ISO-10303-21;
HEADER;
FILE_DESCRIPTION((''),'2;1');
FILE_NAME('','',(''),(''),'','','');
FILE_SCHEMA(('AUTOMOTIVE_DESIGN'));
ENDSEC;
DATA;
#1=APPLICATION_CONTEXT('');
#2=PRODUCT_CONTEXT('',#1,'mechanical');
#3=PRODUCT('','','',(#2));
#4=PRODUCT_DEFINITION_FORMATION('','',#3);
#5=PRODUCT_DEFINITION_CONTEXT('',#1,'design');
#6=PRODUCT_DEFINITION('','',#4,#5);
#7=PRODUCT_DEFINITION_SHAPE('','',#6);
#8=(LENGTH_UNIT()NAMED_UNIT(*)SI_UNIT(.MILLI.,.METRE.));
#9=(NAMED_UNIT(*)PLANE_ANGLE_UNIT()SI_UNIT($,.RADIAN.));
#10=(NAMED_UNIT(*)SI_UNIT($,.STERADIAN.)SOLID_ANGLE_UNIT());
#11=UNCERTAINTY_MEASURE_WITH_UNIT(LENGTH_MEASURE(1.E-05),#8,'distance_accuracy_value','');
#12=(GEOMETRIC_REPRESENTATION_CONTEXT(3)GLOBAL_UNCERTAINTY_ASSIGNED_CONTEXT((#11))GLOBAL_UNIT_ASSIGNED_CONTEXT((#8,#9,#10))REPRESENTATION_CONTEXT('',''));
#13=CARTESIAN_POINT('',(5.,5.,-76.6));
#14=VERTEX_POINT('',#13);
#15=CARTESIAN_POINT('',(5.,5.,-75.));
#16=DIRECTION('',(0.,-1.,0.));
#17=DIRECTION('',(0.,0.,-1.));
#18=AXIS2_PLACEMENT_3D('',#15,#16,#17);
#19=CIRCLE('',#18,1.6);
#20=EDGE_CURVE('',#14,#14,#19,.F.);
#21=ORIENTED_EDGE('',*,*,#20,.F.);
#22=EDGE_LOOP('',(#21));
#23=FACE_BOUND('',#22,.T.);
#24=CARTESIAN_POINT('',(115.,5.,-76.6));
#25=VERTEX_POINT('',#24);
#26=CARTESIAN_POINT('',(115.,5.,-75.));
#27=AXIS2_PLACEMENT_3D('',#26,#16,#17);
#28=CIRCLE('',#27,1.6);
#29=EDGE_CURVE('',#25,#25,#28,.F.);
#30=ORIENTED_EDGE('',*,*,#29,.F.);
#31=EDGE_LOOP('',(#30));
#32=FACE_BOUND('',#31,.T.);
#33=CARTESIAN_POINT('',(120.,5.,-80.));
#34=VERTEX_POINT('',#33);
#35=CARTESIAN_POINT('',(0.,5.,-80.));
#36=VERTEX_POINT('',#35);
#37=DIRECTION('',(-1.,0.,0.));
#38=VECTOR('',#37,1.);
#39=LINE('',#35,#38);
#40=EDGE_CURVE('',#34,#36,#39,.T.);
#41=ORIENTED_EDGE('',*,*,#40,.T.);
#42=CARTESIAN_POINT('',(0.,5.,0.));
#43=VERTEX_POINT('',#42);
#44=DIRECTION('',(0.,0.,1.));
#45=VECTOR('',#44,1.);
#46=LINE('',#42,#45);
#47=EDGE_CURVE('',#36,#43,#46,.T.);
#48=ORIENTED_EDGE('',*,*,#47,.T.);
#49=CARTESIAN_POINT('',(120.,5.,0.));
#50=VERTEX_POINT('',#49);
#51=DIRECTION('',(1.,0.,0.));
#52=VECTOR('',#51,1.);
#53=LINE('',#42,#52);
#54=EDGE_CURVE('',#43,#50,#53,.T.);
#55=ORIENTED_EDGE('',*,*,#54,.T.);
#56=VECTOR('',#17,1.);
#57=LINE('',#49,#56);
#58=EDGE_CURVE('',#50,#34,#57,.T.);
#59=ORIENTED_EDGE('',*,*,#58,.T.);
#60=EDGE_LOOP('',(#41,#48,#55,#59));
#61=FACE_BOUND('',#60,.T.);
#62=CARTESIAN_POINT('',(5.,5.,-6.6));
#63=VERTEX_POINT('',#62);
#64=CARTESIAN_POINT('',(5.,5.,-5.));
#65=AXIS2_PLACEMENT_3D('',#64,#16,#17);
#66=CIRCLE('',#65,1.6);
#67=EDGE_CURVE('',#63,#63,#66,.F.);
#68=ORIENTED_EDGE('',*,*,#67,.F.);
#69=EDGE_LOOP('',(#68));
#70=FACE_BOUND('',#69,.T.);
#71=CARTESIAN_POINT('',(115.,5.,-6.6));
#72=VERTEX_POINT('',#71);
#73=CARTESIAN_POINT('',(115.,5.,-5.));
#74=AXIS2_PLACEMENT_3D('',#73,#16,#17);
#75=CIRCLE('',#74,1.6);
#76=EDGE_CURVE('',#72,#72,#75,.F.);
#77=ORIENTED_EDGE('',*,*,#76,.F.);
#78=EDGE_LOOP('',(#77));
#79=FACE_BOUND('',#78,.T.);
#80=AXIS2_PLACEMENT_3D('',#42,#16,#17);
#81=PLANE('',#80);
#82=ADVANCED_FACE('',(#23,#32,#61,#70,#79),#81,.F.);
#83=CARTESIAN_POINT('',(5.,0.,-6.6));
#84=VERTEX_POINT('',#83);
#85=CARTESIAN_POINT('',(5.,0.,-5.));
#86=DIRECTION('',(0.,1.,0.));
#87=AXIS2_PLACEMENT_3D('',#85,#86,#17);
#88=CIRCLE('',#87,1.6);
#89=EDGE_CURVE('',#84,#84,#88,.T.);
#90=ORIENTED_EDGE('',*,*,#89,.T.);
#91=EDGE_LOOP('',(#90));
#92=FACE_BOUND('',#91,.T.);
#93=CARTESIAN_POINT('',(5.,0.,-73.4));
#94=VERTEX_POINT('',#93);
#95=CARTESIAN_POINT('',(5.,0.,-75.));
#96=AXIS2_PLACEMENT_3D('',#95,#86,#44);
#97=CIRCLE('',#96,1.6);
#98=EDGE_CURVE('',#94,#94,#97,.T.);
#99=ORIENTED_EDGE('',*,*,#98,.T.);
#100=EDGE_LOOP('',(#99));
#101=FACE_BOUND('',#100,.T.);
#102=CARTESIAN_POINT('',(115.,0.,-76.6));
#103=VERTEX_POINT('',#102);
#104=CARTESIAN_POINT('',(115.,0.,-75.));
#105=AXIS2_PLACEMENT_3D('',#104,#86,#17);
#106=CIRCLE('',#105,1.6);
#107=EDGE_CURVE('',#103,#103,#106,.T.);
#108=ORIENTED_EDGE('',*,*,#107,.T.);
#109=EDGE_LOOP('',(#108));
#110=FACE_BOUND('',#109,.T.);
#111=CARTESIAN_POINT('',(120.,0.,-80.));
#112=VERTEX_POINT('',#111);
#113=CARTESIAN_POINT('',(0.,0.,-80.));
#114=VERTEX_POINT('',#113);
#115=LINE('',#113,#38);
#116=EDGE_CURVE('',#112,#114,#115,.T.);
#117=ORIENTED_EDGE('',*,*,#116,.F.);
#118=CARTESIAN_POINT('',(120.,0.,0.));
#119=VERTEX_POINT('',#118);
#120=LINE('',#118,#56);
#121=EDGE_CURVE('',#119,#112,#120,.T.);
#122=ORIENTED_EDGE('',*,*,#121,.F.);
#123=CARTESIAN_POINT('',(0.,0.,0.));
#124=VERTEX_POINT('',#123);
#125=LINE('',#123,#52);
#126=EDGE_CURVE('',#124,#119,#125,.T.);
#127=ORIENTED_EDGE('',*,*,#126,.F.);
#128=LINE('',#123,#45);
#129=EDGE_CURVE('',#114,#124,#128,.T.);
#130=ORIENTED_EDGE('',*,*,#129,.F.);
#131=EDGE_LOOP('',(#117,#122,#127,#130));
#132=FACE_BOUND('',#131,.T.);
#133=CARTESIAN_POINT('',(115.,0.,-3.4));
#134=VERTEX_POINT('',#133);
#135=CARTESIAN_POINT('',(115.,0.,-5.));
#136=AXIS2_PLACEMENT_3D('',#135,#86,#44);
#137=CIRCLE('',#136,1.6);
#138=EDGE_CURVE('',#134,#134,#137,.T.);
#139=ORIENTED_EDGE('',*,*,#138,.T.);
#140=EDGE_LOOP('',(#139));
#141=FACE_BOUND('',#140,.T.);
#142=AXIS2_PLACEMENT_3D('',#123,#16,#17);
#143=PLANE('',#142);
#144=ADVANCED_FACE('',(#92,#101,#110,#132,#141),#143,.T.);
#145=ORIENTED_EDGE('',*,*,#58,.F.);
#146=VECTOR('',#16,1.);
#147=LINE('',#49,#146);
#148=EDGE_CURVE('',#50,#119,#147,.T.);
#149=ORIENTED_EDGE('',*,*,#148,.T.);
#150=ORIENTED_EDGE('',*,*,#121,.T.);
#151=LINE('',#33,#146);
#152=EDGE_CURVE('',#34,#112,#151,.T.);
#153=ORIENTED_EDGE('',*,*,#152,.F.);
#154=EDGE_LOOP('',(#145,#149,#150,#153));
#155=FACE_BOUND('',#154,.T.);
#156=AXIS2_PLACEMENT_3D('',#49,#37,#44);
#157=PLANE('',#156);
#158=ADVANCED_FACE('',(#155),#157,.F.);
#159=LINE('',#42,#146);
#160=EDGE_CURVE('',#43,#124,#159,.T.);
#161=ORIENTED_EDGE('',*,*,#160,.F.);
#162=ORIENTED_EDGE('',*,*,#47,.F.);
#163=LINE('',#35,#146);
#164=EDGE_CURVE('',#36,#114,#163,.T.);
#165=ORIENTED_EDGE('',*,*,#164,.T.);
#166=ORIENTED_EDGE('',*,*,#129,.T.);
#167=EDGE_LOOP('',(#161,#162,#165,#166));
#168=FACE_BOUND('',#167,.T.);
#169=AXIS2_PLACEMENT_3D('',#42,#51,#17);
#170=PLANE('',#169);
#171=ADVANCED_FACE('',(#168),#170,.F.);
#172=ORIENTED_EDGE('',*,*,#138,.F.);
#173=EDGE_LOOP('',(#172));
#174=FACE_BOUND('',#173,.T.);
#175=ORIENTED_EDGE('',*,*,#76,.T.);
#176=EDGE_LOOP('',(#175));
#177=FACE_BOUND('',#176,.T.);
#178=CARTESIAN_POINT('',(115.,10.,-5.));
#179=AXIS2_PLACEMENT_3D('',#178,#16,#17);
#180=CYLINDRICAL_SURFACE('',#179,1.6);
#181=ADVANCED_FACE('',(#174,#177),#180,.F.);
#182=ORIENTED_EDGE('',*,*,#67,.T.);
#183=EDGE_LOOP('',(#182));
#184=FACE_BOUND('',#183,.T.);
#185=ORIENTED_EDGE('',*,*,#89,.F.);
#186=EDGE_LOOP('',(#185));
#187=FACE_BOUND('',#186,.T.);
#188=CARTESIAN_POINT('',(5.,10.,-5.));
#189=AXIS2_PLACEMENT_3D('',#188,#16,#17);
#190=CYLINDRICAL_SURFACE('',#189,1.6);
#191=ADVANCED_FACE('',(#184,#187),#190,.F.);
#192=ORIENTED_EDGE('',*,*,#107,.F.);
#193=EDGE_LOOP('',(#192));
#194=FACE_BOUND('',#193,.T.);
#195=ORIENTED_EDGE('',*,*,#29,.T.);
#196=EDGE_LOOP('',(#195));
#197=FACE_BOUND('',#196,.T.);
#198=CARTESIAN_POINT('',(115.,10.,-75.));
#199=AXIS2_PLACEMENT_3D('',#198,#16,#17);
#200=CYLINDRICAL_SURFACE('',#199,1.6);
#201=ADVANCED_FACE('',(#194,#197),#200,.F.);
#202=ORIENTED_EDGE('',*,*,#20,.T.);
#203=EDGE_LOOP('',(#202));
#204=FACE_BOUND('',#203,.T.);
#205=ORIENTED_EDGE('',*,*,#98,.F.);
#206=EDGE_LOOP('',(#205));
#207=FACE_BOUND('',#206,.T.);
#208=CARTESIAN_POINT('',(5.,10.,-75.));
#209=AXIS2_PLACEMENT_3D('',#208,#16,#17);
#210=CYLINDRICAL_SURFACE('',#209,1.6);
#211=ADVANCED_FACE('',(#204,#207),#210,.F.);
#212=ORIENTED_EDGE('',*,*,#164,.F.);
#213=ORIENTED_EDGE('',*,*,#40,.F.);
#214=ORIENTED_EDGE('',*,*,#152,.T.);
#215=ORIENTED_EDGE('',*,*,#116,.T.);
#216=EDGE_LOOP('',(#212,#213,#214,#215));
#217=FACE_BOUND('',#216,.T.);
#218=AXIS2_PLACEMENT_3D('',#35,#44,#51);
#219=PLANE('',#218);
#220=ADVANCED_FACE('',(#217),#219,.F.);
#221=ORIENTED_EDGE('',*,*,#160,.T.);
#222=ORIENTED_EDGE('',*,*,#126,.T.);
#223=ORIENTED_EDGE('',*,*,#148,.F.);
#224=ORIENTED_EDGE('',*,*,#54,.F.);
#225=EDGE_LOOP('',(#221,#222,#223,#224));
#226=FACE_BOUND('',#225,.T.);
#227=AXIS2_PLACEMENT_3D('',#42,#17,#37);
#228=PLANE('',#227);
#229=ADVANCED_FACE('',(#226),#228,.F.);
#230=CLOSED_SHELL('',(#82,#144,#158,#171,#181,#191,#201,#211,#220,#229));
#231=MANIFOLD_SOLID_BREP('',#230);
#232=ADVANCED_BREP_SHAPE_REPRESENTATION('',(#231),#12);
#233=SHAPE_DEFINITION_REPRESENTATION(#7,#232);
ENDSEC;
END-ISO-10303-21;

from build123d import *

# Parameters (mm, degrees)
ESQUISSE1_W             = 120
ESQUISSE1_H             = 80
BOSS_EXTRU_1_DEPTH      = 5
ESQUISSE2_R             = 1.6
ENL_V_MAT_EXTRU_3_DEPTH = 10


with BuildPart() as part:
    # Esquisse1 → Boss.-Extru.1 (new body)
    with BuildSketch(Plane(origin=(0, 0, 0), x_dir=(1, 0, 0), z_dir=(0, 1, 0))):
        with Locations((60, 40)):
            Rectangle(ESQUISSE1_W, ESQUISSE1_H)
    extrude(amount=BOSS_EXTRU_1_DEPTH)

    # Esquisse2 → Enlèv. mat.-Extru.3 (cut)
    with BuildSketch(Plane(origin=(0, 0, 0), x_dir=(1, 0, 0), z_dir=(0, 1, 0))):
        with Locations(Location((5, 75, 0), (0, 0, 90))):
            Circle(ESQUISSE2_R)
        with Locations(Location((115, 75, 0), (0, 0, 90))):
            Circle(ESQUISSE2_R)
        with Locations(Location((115, 5, 0), (0, 0, 90))):
            Circle(ESQUISSE2_R)
        with Locations(Location((5, 5, 0), (0, 0, 90))):
            Circle(ESQUISSE2_R)
    extrude(amount=ENL_V_MAT_EXTRU_3_DEPTH, mode=Mode.SUBTRACT)


solid = part.part
